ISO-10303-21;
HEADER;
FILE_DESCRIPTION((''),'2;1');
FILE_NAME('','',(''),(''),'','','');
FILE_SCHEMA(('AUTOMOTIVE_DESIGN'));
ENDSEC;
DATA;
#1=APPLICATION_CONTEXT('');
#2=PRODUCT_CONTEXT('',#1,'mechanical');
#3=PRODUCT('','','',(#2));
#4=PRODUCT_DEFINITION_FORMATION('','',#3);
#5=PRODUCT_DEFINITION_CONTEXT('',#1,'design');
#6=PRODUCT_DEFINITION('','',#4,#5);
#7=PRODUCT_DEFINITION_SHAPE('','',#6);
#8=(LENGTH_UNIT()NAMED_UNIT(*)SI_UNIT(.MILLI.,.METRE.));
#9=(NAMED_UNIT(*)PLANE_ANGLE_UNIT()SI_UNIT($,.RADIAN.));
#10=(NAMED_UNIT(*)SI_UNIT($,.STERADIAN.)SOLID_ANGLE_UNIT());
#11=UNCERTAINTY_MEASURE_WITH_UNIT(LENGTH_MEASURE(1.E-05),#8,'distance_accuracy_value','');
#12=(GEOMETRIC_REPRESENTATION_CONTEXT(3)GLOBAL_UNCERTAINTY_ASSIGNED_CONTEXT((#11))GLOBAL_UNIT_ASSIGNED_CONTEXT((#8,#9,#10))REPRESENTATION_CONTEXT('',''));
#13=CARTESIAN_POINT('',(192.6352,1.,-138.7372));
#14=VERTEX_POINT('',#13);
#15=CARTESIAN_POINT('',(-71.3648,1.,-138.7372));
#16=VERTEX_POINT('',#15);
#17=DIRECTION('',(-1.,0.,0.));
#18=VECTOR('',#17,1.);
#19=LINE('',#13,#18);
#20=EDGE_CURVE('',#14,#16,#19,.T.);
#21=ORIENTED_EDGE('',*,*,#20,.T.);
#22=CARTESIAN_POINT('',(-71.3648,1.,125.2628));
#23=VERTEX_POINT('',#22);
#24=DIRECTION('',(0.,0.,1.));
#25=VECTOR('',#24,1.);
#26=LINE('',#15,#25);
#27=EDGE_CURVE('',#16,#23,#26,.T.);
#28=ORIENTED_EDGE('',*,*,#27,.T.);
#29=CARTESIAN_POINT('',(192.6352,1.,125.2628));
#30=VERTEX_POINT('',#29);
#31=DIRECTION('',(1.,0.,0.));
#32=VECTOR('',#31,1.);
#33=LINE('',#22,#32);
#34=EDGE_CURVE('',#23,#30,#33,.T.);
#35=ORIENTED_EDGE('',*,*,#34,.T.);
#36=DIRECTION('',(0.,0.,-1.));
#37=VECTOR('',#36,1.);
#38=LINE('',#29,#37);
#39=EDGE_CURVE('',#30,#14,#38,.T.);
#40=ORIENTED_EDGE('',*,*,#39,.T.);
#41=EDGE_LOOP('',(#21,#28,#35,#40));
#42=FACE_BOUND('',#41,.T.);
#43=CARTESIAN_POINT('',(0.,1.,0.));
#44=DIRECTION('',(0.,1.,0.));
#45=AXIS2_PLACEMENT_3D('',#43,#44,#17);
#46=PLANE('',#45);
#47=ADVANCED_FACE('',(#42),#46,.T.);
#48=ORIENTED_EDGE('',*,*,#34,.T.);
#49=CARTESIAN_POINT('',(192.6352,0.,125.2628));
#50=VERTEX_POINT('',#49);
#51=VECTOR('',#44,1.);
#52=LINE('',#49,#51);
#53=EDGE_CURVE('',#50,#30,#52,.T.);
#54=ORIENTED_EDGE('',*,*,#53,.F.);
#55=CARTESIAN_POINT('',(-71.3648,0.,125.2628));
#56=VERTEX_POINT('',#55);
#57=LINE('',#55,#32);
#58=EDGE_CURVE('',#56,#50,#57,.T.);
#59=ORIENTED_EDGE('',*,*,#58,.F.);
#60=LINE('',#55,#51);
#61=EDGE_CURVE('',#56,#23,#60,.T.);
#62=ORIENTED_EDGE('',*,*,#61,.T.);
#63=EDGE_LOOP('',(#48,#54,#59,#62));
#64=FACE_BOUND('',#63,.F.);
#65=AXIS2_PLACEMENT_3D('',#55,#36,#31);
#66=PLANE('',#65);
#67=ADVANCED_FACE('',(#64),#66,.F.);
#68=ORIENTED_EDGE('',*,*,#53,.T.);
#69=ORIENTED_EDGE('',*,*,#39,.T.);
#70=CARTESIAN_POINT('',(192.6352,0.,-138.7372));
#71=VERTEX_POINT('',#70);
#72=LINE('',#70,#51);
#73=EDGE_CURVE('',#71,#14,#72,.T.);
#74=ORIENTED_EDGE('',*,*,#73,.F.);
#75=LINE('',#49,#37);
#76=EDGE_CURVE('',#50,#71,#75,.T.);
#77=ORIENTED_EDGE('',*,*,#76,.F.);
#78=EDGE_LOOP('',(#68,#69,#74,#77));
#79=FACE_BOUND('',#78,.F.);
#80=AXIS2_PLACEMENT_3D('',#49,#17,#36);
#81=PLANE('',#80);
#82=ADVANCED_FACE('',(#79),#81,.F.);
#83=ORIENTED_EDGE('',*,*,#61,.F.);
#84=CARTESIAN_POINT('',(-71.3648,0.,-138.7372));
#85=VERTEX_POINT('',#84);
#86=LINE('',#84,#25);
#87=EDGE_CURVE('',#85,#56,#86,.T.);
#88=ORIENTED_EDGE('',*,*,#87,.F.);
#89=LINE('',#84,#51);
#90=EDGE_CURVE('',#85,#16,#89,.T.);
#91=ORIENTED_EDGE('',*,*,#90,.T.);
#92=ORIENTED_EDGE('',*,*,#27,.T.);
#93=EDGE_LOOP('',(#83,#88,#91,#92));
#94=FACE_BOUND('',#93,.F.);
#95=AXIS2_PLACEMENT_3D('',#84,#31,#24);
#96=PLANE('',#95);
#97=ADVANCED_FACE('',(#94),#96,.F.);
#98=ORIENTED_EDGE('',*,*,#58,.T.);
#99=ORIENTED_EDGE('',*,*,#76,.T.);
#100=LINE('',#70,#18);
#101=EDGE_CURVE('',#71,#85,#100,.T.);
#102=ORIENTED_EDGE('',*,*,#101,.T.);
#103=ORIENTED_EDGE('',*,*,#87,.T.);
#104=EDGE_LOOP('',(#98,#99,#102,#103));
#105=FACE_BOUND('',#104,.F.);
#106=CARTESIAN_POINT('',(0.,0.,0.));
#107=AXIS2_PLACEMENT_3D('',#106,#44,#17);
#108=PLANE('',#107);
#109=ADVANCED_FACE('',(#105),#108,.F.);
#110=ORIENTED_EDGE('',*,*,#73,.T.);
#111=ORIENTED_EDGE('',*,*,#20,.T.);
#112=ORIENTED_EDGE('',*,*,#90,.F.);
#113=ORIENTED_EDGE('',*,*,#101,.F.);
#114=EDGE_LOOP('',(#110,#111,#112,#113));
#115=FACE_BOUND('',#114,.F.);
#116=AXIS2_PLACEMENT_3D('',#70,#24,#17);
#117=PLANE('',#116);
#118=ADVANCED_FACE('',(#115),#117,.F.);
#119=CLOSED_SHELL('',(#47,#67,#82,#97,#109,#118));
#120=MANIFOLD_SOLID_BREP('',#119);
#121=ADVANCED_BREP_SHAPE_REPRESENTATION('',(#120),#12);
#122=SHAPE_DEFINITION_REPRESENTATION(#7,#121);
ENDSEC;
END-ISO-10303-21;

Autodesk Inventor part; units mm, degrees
ref_plane "YZ Plane" through (0, 0, 0) normal (1, 0, 0) x (0, 1, 0)
ref_plane "XZ Plane" through (0, 0, 0) normal (0, 1, 0) x (-1, 0, 0)
ref_plane "XY Plane" through (0, 0, 0) normal (0, 0, 1) x (1, 0, 0)
sketch "Skizze1" plane through (0, 0, 0) normal (0, 1, 0) x (-1, 0, 0)
  line L0 (71.3648, 125.2628) -> (-192.6352, 125.2628)
  line L1 (-192.6352, 125.2628) -> (-192.6352, -138.7372)
  line L2 (-192.6352, -138.7372) -> (71.3648, -138.7372)
  line L3 (71.3648, -138.7372) -> (71.3648, 125.2628)
  point P0 (0, 0)
  dimension "d0" = 264
  dimension "d1" = 264
extrude "Extrusion1" add sketch "Skizze1" along normal blind 1
properties part number "Cover" material "ABS-Kunststoff"
